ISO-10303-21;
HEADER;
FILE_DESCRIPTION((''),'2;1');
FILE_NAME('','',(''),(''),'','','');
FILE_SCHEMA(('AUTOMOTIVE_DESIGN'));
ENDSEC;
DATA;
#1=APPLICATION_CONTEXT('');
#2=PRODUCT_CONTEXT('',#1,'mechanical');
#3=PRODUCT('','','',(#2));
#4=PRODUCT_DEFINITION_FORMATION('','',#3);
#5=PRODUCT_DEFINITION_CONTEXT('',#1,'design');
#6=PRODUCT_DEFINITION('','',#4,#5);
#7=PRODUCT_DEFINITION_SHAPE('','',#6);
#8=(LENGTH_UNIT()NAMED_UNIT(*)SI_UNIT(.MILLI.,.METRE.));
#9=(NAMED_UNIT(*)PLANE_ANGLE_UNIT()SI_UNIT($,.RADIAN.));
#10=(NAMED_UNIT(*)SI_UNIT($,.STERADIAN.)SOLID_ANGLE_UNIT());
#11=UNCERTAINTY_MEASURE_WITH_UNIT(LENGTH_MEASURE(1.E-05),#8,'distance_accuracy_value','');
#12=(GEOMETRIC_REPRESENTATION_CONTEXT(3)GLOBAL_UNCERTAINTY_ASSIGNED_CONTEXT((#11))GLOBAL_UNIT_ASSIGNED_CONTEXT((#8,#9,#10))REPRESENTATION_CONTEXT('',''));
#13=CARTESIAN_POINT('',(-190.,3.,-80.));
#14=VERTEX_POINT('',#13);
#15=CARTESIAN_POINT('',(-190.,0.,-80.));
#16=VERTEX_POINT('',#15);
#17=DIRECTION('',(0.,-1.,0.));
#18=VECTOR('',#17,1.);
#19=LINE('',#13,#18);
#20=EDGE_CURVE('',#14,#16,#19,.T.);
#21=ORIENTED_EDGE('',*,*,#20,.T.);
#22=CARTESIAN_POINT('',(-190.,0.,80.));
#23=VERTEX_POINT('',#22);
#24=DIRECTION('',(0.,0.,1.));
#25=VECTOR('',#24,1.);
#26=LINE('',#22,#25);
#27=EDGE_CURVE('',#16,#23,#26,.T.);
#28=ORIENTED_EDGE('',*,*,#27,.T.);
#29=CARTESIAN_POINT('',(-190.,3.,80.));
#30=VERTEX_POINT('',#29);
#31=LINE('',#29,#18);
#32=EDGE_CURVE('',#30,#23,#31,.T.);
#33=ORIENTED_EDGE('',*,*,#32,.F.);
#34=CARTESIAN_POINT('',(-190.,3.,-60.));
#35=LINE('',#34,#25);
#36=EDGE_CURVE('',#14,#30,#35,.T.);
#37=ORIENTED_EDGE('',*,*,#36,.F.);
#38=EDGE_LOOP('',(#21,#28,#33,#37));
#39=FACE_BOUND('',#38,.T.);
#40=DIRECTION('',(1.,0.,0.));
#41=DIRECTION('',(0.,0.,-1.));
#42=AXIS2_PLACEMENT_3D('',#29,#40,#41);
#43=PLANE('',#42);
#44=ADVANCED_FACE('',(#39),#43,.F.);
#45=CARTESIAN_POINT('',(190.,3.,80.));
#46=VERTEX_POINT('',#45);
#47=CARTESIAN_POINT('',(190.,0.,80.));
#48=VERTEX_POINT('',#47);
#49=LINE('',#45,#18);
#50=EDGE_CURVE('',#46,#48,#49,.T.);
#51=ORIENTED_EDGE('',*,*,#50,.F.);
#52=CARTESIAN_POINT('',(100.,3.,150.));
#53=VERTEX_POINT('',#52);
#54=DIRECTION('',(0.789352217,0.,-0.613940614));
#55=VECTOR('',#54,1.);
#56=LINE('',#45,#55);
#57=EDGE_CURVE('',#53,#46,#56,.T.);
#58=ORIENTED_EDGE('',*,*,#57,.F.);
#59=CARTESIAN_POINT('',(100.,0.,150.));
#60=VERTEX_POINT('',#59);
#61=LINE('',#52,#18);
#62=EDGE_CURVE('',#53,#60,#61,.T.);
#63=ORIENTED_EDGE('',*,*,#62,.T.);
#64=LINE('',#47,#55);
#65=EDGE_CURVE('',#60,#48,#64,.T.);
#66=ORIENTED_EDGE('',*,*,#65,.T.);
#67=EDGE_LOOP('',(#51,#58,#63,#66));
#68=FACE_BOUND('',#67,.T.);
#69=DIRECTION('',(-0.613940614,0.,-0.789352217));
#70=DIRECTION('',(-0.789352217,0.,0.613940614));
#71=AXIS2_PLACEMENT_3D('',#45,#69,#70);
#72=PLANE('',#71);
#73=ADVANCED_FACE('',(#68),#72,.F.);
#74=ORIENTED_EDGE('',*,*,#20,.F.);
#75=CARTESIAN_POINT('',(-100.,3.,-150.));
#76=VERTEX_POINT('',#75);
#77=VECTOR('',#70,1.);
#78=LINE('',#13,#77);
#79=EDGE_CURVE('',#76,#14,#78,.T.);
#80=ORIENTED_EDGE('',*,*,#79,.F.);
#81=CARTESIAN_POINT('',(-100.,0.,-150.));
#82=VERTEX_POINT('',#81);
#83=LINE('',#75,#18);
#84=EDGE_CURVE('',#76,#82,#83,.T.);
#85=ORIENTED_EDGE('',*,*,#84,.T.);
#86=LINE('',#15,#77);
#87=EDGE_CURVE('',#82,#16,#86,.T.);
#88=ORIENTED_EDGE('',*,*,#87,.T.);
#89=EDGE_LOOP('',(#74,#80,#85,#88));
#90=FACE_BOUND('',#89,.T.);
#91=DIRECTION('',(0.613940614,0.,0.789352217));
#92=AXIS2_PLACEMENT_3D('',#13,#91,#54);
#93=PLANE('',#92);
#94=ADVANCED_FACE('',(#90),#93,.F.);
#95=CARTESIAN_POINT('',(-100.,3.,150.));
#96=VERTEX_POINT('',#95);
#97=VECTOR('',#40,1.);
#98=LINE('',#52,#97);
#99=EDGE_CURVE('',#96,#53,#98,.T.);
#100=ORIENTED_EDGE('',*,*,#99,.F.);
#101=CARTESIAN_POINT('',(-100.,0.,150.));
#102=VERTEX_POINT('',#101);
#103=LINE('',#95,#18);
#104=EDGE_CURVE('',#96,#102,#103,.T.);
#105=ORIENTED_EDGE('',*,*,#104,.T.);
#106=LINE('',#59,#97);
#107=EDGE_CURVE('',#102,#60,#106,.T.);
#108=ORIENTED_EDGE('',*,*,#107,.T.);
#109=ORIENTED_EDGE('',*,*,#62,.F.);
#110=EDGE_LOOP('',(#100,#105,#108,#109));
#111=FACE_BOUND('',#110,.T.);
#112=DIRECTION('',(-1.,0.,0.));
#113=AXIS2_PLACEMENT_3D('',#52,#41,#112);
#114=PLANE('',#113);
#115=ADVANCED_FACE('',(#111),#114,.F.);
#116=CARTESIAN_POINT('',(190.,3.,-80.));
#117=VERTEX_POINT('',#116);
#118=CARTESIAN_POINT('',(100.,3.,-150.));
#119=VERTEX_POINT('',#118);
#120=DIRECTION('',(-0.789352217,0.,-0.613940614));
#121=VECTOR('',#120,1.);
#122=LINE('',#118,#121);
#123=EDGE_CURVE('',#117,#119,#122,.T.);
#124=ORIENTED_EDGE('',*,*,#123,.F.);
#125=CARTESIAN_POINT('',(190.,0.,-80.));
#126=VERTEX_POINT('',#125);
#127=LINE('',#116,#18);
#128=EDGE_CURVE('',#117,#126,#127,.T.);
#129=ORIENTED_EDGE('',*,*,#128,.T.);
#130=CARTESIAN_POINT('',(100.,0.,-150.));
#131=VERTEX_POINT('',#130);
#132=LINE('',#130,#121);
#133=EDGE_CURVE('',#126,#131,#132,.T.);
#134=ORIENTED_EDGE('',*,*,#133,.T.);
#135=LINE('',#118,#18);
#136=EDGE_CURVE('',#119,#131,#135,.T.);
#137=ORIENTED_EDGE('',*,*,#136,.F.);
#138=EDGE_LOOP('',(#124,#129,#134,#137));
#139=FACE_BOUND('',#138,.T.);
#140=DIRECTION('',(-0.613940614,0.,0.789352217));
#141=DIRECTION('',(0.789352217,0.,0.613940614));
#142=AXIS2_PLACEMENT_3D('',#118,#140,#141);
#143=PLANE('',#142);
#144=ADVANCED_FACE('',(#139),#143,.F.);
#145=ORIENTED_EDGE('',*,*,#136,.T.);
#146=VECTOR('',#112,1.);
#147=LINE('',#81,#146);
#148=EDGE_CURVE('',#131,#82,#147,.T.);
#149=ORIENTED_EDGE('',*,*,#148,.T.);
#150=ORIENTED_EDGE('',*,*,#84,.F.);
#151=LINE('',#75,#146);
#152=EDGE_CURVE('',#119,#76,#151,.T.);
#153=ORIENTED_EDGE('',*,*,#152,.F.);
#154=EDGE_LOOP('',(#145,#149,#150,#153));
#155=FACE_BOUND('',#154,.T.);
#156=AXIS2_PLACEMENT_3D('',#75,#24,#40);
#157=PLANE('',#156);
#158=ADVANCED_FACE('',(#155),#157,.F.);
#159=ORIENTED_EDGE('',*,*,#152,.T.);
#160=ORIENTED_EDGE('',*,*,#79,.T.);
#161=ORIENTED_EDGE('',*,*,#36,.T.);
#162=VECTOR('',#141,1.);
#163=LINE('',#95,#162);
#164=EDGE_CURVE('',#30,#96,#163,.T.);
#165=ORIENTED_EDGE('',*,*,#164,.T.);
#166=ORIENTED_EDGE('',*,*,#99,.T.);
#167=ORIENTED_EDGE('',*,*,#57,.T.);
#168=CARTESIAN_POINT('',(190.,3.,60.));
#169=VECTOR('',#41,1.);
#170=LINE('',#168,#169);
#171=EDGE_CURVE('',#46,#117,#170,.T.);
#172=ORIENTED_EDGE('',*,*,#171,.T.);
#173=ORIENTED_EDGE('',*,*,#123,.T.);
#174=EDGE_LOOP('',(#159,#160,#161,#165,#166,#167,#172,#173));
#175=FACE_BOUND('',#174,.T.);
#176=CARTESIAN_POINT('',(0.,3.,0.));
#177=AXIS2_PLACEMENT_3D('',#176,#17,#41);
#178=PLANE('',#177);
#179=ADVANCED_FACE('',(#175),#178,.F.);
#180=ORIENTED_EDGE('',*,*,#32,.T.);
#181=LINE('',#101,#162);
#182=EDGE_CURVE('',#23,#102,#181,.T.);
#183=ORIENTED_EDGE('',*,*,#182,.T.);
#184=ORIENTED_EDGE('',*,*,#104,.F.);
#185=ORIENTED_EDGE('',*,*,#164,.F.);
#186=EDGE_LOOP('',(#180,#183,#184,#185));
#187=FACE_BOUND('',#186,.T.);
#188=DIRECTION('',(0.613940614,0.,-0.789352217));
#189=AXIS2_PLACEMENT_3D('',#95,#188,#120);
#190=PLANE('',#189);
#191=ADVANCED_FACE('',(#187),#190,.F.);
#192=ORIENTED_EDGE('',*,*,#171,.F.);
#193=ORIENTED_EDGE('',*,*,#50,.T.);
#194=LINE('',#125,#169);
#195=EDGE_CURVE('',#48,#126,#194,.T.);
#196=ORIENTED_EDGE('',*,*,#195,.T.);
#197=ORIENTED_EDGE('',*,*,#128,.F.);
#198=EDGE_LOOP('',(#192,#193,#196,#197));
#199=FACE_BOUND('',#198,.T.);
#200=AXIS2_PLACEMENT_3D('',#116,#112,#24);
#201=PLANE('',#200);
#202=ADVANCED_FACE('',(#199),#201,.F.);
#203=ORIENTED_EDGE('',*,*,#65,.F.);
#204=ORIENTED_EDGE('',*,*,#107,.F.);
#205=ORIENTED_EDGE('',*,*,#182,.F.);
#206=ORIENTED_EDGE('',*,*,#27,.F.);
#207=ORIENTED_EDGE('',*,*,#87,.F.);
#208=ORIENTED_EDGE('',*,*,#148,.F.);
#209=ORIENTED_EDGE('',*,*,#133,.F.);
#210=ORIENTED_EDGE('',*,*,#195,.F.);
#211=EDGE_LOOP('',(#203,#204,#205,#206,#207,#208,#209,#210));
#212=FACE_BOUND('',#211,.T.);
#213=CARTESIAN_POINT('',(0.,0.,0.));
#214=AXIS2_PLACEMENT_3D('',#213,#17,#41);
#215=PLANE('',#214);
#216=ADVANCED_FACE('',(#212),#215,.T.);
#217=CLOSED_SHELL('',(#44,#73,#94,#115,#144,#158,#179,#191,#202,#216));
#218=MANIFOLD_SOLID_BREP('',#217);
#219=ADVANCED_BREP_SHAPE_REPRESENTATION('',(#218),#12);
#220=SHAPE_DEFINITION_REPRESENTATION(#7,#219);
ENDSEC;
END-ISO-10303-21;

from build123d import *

# Parameters (mm, degrees)
BOSS_EXTRUDE1_DEPTH = 3


with BuildPart() as part:
    # Sketch1 → Boss-Extrude1 (new body)
    with BuildSketch(Plane(origin=(0, 0, 0), x_dir=(1, 0, 0), z_dir=(0, 1, 0))):
        Polygon((-100, 150), (100, 150), (190, 80), (190, 60), (190, -60), (190, -80), (100, -150), (-100, -150), (-190, -80), (-190, -60), (-190, 60), (-190, 80), align=None)
    extrude(amount=BOSS_EXTRUDE1_DEPTH)


solid = part.part
